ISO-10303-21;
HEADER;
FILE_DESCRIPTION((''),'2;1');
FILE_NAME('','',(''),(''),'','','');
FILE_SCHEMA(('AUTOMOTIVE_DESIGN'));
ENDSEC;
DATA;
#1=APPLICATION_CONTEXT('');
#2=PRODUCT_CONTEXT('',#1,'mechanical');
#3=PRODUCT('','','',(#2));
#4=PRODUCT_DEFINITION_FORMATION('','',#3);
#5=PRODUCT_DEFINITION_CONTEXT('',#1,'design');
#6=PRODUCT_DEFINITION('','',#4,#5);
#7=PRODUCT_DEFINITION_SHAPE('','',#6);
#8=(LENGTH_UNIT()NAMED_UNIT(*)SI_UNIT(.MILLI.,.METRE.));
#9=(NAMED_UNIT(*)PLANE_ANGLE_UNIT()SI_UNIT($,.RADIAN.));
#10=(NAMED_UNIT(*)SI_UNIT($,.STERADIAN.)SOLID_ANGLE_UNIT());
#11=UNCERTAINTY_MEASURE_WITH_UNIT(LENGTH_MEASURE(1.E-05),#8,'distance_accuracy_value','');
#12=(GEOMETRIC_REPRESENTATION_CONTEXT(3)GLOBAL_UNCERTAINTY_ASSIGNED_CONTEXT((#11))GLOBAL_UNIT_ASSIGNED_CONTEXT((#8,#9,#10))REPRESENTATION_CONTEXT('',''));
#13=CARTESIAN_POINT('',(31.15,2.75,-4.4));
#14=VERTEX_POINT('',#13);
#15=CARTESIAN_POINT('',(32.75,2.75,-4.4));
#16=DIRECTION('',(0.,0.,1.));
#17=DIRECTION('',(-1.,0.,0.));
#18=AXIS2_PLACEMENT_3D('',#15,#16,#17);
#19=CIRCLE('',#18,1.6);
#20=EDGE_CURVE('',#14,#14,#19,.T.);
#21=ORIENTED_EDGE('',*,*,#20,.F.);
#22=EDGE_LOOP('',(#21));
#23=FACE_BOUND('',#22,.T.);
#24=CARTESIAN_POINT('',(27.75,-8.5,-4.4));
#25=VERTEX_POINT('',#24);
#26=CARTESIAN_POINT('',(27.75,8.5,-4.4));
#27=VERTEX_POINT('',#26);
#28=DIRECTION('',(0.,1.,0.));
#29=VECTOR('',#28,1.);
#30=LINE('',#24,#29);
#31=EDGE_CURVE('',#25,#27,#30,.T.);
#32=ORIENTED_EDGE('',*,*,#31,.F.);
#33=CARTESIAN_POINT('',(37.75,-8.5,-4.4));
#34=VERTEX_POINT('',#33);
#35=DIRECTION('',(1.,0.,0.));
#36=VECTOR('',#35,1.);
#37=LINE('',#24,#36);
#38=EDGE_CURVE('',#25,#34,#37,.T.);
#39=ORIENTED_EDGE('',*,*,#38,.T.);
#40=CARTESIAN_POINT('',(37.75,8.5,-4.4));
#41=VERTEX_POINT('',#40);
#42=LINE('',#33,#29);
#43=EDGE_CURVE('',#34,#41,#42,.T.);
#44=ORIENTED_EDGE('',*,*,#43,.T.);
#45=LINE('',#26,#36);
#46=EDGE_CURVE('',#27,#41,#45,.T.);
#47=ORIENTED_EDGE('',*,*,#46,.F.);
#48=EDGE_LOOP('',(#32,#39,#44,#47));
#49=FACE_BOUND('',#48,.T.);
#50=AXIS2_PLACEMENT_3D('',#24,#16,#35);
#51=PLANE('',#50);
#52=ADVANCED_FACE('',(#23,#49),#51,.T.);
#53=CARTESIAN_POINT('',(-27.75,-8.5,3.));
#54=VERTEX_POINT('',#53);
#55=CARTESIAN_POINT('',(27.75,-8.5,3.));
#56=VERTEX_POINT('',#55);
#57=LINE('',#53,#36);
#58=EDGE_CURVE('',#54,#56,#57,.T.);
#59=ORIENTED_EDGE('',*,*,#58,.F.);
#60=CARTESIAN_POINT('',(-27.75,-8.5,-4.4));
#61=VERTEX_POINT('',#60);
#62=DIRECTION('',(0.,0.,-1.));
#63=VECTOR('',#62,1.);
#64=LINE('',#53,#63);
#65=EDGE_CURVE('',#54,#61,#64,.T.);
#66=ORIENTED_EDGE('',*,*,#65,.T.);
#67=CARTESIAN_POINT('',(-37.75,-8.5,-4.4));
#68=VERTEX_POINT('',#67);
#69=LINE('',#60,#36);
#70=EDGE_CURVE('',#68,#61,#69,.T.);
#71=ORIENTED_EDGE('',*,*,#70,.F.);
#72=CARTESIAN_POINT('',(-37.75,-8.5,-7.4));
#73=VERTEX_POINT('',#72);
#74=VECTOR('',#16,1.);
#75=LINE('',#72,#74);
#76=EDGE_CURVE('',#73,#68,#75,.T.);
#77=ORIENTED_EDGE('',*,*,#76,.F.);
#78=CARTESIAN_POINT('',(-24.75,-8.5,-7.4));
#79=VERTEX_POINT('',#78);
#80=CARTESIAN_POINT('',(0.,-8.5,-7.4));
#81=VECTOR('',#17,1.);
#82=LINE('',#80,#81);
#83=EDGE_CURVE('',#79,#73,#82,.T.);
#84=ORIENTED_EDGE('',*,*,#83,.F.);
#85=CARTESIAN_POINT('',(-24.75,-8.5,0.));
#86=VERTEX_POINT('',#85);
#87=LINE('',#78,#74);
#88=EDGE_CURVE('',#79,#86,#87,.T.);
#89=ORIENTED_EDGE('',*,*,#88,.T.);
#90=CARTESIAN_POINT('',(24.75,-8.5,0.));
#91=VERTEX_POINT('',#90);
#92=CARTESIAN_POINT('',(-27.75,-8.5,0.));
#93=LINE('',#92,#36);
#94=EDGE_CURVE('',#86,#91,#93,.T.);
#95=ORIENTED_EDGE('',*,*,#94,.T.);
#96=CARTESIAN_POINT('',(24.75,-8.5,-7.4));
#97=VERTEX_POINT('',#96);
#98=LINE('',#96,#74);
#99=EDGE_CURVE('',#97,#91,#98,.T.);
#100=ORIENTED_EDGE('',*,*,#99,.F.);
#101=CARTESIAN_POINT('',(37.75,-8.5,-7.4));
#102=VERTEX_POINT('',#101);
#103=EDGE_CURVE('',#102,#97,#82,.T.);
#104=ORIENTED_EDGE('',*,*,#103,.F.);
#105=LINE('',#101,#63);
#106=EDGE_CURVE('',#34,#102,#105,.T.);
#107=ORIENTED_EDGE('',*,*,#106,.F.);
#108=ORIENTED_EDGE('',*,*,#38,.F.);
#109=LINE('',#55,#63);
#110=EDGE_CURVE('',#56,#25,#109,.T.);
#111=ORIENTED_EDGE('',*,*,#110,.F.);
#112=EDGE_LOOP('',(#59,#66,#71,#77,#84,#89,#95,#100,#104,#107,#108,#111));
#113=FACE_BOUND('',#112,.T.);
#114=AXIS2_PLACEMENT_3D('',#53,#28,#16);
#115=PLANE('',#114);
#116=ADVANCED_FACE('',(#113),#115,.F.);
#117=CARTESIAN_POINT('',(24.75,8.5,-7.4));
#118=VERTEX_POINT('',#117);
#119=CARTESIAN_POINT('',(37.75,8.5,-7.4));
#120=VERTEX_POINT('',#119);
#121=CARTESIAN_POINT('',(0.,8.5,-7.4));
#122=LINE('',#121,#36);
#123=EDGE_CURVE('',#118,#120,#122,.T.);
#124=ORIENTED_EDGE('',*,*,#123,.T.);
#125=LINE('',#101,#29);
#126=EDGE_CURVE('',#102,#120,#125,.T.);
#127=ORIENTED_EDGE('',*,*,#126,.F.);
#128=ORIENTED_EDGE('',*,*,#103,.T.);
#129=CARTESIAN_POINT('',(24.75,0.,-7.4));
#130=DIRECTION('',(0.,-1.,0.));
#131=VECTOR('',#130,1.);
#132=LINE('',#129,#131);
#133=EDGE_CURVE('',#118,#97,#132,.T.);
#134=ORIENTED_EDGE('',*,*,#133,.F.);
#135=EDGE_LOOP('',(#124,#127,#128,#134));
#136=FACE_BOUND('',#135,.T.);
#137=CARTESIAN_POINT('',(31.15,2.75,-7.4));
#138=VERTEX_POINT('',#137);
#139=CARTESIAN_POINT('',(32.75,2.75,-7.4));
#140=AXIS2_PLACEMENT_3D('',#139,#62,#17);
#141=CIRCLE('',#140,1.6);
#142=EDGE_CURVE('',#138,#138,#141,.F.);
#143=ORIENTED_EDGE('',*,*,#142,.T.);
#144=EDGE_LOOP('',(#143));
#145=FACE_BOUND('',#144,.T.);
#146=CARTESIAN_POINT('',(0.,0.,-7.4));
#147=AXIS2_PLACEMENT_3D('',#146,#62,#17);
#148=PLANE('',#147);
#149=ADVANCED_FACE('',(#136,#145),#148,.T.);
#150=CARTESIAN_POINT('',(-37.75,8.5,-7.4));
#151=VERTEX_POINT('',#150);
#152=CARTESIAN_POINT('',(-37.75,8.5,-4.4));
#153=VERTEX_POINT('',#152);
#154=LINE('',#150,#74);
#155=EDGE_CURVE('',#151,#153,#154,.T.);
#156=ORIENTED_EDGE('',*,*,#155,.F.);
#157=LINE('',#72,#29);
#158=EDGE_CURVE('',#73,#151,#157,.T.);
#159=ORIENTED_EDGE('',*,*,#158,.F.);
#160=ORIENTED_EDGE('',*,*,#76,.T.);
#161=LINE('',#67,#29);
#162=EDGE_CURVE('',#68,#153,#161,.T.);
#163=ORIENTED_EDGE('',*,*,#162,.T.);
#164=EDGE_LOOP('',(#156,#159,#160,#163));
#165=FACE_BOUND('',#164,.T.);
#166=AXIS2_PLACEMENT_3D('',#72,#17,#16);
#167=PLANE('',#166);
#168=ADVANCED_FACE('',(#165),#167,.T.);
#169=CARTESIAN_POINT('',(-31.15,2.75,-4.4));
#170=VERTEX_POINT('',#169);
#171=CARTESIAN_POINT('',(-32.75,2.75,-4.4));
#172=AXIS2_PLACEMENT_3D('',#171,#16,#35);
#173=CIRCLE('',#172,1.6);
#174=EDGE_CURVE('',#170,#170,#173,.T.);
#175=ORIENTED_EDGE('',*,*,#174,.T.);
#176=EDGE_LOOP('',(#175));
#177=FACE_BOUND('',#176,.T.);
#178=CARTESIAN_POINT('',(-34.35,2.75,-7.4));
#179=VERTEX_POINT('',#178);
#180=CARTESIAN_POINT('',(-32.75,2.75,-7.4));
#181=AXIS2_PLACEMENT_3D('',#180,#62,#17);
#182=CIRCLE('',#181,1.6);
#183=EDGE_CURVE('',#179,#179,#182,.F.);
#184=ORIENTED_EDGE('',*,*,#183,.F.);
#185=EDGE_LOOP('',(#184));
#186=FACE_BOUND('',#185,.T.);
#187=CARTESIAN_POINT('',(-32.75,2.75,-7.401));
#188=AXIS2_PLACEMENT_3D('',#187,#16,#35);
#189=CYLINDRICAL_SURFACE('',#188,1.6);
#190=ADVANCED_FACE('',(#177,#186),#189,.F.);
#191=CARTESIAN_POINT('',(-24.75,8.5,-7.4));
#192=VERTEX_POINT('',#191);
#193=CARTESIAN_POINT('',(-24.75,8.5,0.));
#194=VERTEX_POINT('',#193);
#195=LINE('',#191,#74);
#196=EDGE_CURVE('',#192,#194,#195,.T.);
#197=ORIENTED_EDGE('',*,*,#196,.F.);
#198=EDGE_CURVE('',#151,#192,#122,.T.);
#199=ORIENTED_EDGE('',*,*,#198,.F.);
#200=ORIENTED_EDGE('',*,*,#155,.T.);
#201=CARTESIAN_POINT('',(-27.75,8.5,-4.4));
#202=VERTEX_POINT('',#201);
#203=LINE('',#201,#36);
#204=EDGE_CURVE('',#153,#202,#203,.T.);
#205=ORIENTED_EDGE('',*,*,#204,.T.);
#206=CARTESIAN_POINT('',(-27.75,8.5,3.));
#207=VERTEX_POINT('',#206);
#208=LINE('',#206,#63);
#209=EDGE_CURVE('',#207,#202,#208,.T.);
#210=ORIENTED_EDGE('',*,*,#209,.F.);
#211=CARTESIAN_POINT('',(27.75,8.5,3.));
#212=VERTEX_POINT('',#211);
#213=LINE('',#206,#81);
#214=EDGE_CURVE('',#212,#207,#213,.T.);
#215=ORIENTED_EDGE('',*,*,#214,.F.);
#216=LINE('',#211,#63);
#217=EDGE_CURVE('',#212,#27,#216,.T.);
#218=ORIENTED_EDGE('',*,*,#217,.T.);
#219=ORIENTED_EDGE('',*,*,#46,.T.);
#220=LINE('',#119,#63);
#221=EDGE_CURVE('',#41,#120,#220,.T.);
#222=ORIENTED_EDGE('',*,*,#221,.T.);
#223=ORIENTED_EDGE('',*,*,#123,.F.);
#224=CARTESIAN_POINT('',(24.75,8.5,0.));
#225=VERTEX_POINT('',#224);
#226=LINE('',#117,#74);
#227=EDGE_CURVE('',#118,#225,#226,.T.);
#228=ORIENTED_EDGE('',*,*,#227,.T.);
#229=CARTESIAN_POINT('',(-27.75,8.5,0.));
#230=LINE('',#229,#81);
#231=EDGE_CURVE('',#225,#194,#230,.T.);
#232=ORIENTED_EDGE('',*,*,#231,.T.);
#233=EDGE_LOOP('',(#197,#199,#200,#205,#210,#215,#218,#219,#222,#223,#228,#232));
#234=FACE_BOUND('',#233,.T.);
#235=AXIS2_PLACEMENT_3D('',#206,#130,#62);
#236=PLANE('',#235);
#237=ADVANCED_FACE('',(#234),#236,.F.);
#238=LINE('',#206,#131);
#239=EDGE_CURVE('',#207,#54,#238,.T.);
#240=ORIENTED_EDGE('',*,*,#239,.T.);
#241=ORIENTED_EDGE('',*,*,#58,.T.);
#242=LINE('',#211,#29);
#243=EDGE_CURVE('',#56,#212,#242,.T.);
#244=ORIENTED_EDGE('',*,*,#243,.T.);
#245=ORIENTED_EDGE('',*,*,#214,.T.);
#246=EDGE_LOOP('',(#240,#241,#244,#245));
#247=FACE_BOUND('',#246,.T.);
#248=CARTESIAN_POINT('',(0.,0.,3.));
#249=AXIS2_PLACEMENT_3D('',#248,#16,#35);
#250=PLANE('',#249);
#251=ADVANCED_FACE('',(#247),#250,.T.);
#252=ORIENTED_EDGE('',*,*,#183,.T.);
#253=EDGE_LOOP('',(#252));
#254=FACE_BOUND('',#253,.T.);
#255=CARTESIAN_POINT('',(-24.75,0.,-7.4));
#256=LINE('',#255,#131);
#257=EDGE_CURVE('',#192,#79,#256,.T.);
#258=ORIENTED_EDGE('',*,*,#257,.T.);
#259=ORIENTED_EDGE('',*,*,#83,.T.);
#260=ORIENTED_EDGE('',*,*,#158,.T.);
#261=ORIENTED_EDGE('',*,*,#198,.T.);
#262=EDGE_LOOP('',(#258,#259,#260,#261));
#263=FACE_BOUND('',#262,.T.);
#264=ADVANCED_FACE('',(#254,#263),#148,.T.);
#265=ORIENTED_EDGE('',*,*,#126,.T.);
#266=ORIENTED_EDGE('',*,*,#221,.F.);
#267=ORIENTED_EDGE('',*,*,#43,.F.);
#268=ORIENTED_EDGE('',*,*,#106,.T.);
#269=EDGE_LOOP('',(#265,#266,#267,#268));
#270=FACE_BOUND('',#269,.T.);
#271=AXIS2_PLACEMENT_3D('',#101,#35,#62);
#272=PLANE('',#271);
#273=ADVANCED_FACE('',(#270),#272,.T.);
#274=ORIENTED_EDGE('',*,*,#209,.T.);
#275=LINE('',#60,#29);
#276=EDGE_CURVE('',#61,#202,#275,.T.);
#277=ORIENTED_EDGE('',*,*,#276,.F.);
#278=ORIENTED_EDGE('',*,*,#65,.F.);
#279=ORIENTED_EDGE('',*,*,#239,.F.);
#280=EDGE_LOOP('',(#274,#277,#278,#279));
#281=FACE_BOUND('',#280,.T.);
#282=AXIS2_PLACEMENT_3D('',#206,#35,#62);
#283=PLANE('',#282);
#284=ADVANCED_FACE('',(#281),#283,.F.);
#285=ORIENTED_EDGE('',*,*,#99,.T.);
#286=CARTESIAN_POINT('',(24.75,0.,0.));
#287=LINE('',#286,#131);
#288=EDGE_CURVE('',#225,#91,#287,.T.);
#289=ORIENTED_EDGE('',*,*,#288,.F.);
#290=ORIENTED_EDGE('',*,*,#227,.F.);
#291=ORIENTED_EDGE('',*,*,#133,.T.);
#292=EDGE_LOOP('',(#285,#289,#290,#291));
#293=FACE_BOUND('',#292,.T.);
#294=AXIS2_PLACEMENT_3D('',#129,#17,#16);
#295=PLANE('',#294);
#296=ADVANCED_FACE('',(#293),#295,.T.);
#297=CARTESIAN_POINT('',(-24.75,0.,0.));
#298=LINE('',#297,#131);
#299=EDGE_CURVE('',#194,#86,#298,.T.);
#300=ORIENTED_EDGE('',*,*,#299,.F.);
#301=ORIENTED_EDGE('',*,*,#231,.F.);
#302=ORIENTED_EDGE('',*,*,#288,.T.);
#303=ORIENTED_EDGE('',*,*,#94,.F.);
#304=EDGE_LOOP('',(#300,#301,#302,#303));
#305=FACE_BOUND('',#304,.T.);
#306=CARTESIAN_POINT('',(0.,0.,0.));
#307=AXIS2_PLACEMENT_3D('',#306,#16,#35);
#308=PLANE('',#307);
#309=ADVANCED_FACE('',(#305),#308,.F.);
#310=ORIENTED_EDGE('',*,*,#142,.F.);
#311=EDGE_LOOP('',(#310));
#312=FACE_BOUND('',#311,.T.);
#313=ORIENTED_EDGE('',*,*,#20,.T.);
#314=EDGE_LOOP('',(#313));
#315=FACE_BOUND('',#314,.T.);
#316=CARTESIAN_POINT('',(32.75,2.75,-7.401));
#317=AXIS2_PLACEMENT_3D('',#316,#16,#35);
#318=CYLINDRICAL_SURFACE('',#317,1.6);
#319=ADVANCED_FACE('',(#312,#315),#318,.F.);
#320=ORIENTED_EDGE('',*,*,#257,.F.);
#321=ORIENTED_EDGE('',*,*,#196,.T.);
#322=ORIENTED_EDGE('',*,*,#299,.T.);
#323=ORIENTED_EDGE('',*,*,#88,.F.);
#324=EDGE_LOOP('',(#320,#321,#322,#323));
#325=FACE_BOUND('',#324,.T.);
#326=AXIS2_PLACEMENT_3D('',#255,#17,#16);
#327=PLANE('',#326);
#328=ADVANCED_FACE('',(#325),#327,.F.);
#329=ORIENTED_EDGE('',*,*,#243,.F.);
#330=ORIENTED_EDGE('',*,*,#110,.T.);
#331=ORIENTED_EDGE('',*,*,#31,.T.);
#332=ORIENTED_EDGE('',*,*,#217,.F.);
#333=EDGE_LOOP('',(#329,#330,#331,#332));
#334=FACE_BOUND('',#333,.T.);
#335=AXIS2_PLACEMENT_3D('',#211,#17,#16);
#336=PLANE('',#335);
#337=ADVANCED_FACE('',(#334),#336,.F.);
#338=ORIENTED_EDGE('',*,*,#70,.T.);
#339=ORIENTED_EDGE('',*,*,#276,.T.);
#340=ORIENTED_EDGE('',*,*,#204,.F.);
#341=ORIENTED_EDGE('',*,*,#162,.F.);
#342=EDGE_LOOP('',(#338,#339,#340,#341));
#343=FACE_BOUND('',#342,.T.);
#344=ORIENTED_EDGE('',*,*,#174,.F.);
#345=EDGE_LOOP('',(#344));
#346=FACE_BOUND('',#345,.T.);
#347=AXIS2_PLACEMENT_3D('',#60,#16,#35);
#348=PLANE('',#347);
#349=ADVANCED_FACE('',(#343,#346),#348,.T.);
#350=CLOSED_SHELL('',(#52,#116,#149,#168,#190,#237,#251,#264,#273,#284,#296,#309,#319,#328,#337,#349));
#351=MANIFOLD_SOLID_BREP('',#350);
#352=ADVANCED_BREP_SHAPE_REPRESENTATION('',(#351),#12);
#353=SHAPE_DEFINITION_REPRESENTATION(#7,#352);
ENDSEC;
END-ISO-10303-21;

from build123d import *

# Parameters (mm, degrees)
ESBO_O1_W                = 55.5
ESBO_O1_H                = 17
RESSALTO_EXTRUS_O1_DEPTH = 3
ESBO_O9_W                = 3
ESBO_O9_H                = 17
RESSALTO_EXTRUS_O5_DEPTH = 7.4
ESBO_O10_W               = 10
ESBO_O10_H               = 3
RESSALTO_EXTRUS_O6_DEPTH = 17
CORTE_EXTRUS_O4_REACH    = 41.396
ESBO_O11_R               = 1.6


with BuildPart() as part:
    # Esboço1 → Ressalto-extrusão1 (new body)
    with BuildSketch(Plane.XY):
        Rectangle(ESBO_O1_W, ESBO_O1_H)
    extrude(amount=RESSALTO_EXTRUS_O1_DEPTH)

    # Esboço9 → Ressalto-extrusão5 (add)
    with BuildSketch(Plane(origin=(0, 0, 0), x_dir=(-1, 0, 0), z_dir=(0, 0, -1))):
        with Locations((-26.25, 0)):
            Rectangle(ESBO_O9_W, ESBO_O9_H)
        with Locations((26.25, 0)):
            Rectangle(ESBO_O9_W, ESBO_O9_H)
    extrude(amount=RESSALTO_EXTRUS_O5_DEPTH)

    # Esboço10 → Ressalto-extrusão6 (add, through all)
    with BuildSketch(Plane(origin=(0, 8.5, 0), x_dir=(1, 0, 0), z_dir=(0, 1, 0))):
        with Locations((32.75, 5.9)):
            Rectangle(ESBO_O10_W, ESBO_O10_H)
        with Locations((-32.75, 5.9)):
            Rectangle(ESBO_O10_W, ESBO_O10_H)
    extrude(amount=-RESSALTO_EXTRUS_O6_DEPTH)

    # Esboço11 → Corte-extrusão4 (cut, up to next)
    with BuildSketch(Plane.XY.offset(-4.4), mode=Mode.PRIVATE) as corte_extrus_o4_sk1:
        with Locations((-32.75, 2.75)):
            Circle(ESBO_O11_R)
    corte_extrus_o4_tool1 = extrude(corte_extrus_o4_sk1.sketch, amount=-CORTE_EXTRUS_O4_REACH, mode=Mode.PRIVATE) & part.part
    # Esboço11 → Corte-extrusão4 (cut, up to next)
    with BuildSketch(Plane.XY.offset(-4.4), mode=Mode.PRIVATE) as corte_extrus_o4_sk2:
        with Locations(Location((32.75, 2.75, 0), (0, 0, 180))):
            Circle(ESBO_O11_R)
    corte_extrus_o4_tool2 = extrude(corte_extrus_o4_sk2.sketch, amount=-CORTE_EXTRUS_O4_REACH, mode=Mode.PRIVATE) & part.part
    add(corte_extrus_o4_tool1.solids().sort_by_distance((-32.75, 2.75, -4.4))[0], mode=Mode.SUBTRACT)
    add(corte_extrus_o4_tool2.solids().sort_by_distance((32.75, 2.75, -4.4))[0], mode=Mode.SUBTRACT)


solid = part.part
